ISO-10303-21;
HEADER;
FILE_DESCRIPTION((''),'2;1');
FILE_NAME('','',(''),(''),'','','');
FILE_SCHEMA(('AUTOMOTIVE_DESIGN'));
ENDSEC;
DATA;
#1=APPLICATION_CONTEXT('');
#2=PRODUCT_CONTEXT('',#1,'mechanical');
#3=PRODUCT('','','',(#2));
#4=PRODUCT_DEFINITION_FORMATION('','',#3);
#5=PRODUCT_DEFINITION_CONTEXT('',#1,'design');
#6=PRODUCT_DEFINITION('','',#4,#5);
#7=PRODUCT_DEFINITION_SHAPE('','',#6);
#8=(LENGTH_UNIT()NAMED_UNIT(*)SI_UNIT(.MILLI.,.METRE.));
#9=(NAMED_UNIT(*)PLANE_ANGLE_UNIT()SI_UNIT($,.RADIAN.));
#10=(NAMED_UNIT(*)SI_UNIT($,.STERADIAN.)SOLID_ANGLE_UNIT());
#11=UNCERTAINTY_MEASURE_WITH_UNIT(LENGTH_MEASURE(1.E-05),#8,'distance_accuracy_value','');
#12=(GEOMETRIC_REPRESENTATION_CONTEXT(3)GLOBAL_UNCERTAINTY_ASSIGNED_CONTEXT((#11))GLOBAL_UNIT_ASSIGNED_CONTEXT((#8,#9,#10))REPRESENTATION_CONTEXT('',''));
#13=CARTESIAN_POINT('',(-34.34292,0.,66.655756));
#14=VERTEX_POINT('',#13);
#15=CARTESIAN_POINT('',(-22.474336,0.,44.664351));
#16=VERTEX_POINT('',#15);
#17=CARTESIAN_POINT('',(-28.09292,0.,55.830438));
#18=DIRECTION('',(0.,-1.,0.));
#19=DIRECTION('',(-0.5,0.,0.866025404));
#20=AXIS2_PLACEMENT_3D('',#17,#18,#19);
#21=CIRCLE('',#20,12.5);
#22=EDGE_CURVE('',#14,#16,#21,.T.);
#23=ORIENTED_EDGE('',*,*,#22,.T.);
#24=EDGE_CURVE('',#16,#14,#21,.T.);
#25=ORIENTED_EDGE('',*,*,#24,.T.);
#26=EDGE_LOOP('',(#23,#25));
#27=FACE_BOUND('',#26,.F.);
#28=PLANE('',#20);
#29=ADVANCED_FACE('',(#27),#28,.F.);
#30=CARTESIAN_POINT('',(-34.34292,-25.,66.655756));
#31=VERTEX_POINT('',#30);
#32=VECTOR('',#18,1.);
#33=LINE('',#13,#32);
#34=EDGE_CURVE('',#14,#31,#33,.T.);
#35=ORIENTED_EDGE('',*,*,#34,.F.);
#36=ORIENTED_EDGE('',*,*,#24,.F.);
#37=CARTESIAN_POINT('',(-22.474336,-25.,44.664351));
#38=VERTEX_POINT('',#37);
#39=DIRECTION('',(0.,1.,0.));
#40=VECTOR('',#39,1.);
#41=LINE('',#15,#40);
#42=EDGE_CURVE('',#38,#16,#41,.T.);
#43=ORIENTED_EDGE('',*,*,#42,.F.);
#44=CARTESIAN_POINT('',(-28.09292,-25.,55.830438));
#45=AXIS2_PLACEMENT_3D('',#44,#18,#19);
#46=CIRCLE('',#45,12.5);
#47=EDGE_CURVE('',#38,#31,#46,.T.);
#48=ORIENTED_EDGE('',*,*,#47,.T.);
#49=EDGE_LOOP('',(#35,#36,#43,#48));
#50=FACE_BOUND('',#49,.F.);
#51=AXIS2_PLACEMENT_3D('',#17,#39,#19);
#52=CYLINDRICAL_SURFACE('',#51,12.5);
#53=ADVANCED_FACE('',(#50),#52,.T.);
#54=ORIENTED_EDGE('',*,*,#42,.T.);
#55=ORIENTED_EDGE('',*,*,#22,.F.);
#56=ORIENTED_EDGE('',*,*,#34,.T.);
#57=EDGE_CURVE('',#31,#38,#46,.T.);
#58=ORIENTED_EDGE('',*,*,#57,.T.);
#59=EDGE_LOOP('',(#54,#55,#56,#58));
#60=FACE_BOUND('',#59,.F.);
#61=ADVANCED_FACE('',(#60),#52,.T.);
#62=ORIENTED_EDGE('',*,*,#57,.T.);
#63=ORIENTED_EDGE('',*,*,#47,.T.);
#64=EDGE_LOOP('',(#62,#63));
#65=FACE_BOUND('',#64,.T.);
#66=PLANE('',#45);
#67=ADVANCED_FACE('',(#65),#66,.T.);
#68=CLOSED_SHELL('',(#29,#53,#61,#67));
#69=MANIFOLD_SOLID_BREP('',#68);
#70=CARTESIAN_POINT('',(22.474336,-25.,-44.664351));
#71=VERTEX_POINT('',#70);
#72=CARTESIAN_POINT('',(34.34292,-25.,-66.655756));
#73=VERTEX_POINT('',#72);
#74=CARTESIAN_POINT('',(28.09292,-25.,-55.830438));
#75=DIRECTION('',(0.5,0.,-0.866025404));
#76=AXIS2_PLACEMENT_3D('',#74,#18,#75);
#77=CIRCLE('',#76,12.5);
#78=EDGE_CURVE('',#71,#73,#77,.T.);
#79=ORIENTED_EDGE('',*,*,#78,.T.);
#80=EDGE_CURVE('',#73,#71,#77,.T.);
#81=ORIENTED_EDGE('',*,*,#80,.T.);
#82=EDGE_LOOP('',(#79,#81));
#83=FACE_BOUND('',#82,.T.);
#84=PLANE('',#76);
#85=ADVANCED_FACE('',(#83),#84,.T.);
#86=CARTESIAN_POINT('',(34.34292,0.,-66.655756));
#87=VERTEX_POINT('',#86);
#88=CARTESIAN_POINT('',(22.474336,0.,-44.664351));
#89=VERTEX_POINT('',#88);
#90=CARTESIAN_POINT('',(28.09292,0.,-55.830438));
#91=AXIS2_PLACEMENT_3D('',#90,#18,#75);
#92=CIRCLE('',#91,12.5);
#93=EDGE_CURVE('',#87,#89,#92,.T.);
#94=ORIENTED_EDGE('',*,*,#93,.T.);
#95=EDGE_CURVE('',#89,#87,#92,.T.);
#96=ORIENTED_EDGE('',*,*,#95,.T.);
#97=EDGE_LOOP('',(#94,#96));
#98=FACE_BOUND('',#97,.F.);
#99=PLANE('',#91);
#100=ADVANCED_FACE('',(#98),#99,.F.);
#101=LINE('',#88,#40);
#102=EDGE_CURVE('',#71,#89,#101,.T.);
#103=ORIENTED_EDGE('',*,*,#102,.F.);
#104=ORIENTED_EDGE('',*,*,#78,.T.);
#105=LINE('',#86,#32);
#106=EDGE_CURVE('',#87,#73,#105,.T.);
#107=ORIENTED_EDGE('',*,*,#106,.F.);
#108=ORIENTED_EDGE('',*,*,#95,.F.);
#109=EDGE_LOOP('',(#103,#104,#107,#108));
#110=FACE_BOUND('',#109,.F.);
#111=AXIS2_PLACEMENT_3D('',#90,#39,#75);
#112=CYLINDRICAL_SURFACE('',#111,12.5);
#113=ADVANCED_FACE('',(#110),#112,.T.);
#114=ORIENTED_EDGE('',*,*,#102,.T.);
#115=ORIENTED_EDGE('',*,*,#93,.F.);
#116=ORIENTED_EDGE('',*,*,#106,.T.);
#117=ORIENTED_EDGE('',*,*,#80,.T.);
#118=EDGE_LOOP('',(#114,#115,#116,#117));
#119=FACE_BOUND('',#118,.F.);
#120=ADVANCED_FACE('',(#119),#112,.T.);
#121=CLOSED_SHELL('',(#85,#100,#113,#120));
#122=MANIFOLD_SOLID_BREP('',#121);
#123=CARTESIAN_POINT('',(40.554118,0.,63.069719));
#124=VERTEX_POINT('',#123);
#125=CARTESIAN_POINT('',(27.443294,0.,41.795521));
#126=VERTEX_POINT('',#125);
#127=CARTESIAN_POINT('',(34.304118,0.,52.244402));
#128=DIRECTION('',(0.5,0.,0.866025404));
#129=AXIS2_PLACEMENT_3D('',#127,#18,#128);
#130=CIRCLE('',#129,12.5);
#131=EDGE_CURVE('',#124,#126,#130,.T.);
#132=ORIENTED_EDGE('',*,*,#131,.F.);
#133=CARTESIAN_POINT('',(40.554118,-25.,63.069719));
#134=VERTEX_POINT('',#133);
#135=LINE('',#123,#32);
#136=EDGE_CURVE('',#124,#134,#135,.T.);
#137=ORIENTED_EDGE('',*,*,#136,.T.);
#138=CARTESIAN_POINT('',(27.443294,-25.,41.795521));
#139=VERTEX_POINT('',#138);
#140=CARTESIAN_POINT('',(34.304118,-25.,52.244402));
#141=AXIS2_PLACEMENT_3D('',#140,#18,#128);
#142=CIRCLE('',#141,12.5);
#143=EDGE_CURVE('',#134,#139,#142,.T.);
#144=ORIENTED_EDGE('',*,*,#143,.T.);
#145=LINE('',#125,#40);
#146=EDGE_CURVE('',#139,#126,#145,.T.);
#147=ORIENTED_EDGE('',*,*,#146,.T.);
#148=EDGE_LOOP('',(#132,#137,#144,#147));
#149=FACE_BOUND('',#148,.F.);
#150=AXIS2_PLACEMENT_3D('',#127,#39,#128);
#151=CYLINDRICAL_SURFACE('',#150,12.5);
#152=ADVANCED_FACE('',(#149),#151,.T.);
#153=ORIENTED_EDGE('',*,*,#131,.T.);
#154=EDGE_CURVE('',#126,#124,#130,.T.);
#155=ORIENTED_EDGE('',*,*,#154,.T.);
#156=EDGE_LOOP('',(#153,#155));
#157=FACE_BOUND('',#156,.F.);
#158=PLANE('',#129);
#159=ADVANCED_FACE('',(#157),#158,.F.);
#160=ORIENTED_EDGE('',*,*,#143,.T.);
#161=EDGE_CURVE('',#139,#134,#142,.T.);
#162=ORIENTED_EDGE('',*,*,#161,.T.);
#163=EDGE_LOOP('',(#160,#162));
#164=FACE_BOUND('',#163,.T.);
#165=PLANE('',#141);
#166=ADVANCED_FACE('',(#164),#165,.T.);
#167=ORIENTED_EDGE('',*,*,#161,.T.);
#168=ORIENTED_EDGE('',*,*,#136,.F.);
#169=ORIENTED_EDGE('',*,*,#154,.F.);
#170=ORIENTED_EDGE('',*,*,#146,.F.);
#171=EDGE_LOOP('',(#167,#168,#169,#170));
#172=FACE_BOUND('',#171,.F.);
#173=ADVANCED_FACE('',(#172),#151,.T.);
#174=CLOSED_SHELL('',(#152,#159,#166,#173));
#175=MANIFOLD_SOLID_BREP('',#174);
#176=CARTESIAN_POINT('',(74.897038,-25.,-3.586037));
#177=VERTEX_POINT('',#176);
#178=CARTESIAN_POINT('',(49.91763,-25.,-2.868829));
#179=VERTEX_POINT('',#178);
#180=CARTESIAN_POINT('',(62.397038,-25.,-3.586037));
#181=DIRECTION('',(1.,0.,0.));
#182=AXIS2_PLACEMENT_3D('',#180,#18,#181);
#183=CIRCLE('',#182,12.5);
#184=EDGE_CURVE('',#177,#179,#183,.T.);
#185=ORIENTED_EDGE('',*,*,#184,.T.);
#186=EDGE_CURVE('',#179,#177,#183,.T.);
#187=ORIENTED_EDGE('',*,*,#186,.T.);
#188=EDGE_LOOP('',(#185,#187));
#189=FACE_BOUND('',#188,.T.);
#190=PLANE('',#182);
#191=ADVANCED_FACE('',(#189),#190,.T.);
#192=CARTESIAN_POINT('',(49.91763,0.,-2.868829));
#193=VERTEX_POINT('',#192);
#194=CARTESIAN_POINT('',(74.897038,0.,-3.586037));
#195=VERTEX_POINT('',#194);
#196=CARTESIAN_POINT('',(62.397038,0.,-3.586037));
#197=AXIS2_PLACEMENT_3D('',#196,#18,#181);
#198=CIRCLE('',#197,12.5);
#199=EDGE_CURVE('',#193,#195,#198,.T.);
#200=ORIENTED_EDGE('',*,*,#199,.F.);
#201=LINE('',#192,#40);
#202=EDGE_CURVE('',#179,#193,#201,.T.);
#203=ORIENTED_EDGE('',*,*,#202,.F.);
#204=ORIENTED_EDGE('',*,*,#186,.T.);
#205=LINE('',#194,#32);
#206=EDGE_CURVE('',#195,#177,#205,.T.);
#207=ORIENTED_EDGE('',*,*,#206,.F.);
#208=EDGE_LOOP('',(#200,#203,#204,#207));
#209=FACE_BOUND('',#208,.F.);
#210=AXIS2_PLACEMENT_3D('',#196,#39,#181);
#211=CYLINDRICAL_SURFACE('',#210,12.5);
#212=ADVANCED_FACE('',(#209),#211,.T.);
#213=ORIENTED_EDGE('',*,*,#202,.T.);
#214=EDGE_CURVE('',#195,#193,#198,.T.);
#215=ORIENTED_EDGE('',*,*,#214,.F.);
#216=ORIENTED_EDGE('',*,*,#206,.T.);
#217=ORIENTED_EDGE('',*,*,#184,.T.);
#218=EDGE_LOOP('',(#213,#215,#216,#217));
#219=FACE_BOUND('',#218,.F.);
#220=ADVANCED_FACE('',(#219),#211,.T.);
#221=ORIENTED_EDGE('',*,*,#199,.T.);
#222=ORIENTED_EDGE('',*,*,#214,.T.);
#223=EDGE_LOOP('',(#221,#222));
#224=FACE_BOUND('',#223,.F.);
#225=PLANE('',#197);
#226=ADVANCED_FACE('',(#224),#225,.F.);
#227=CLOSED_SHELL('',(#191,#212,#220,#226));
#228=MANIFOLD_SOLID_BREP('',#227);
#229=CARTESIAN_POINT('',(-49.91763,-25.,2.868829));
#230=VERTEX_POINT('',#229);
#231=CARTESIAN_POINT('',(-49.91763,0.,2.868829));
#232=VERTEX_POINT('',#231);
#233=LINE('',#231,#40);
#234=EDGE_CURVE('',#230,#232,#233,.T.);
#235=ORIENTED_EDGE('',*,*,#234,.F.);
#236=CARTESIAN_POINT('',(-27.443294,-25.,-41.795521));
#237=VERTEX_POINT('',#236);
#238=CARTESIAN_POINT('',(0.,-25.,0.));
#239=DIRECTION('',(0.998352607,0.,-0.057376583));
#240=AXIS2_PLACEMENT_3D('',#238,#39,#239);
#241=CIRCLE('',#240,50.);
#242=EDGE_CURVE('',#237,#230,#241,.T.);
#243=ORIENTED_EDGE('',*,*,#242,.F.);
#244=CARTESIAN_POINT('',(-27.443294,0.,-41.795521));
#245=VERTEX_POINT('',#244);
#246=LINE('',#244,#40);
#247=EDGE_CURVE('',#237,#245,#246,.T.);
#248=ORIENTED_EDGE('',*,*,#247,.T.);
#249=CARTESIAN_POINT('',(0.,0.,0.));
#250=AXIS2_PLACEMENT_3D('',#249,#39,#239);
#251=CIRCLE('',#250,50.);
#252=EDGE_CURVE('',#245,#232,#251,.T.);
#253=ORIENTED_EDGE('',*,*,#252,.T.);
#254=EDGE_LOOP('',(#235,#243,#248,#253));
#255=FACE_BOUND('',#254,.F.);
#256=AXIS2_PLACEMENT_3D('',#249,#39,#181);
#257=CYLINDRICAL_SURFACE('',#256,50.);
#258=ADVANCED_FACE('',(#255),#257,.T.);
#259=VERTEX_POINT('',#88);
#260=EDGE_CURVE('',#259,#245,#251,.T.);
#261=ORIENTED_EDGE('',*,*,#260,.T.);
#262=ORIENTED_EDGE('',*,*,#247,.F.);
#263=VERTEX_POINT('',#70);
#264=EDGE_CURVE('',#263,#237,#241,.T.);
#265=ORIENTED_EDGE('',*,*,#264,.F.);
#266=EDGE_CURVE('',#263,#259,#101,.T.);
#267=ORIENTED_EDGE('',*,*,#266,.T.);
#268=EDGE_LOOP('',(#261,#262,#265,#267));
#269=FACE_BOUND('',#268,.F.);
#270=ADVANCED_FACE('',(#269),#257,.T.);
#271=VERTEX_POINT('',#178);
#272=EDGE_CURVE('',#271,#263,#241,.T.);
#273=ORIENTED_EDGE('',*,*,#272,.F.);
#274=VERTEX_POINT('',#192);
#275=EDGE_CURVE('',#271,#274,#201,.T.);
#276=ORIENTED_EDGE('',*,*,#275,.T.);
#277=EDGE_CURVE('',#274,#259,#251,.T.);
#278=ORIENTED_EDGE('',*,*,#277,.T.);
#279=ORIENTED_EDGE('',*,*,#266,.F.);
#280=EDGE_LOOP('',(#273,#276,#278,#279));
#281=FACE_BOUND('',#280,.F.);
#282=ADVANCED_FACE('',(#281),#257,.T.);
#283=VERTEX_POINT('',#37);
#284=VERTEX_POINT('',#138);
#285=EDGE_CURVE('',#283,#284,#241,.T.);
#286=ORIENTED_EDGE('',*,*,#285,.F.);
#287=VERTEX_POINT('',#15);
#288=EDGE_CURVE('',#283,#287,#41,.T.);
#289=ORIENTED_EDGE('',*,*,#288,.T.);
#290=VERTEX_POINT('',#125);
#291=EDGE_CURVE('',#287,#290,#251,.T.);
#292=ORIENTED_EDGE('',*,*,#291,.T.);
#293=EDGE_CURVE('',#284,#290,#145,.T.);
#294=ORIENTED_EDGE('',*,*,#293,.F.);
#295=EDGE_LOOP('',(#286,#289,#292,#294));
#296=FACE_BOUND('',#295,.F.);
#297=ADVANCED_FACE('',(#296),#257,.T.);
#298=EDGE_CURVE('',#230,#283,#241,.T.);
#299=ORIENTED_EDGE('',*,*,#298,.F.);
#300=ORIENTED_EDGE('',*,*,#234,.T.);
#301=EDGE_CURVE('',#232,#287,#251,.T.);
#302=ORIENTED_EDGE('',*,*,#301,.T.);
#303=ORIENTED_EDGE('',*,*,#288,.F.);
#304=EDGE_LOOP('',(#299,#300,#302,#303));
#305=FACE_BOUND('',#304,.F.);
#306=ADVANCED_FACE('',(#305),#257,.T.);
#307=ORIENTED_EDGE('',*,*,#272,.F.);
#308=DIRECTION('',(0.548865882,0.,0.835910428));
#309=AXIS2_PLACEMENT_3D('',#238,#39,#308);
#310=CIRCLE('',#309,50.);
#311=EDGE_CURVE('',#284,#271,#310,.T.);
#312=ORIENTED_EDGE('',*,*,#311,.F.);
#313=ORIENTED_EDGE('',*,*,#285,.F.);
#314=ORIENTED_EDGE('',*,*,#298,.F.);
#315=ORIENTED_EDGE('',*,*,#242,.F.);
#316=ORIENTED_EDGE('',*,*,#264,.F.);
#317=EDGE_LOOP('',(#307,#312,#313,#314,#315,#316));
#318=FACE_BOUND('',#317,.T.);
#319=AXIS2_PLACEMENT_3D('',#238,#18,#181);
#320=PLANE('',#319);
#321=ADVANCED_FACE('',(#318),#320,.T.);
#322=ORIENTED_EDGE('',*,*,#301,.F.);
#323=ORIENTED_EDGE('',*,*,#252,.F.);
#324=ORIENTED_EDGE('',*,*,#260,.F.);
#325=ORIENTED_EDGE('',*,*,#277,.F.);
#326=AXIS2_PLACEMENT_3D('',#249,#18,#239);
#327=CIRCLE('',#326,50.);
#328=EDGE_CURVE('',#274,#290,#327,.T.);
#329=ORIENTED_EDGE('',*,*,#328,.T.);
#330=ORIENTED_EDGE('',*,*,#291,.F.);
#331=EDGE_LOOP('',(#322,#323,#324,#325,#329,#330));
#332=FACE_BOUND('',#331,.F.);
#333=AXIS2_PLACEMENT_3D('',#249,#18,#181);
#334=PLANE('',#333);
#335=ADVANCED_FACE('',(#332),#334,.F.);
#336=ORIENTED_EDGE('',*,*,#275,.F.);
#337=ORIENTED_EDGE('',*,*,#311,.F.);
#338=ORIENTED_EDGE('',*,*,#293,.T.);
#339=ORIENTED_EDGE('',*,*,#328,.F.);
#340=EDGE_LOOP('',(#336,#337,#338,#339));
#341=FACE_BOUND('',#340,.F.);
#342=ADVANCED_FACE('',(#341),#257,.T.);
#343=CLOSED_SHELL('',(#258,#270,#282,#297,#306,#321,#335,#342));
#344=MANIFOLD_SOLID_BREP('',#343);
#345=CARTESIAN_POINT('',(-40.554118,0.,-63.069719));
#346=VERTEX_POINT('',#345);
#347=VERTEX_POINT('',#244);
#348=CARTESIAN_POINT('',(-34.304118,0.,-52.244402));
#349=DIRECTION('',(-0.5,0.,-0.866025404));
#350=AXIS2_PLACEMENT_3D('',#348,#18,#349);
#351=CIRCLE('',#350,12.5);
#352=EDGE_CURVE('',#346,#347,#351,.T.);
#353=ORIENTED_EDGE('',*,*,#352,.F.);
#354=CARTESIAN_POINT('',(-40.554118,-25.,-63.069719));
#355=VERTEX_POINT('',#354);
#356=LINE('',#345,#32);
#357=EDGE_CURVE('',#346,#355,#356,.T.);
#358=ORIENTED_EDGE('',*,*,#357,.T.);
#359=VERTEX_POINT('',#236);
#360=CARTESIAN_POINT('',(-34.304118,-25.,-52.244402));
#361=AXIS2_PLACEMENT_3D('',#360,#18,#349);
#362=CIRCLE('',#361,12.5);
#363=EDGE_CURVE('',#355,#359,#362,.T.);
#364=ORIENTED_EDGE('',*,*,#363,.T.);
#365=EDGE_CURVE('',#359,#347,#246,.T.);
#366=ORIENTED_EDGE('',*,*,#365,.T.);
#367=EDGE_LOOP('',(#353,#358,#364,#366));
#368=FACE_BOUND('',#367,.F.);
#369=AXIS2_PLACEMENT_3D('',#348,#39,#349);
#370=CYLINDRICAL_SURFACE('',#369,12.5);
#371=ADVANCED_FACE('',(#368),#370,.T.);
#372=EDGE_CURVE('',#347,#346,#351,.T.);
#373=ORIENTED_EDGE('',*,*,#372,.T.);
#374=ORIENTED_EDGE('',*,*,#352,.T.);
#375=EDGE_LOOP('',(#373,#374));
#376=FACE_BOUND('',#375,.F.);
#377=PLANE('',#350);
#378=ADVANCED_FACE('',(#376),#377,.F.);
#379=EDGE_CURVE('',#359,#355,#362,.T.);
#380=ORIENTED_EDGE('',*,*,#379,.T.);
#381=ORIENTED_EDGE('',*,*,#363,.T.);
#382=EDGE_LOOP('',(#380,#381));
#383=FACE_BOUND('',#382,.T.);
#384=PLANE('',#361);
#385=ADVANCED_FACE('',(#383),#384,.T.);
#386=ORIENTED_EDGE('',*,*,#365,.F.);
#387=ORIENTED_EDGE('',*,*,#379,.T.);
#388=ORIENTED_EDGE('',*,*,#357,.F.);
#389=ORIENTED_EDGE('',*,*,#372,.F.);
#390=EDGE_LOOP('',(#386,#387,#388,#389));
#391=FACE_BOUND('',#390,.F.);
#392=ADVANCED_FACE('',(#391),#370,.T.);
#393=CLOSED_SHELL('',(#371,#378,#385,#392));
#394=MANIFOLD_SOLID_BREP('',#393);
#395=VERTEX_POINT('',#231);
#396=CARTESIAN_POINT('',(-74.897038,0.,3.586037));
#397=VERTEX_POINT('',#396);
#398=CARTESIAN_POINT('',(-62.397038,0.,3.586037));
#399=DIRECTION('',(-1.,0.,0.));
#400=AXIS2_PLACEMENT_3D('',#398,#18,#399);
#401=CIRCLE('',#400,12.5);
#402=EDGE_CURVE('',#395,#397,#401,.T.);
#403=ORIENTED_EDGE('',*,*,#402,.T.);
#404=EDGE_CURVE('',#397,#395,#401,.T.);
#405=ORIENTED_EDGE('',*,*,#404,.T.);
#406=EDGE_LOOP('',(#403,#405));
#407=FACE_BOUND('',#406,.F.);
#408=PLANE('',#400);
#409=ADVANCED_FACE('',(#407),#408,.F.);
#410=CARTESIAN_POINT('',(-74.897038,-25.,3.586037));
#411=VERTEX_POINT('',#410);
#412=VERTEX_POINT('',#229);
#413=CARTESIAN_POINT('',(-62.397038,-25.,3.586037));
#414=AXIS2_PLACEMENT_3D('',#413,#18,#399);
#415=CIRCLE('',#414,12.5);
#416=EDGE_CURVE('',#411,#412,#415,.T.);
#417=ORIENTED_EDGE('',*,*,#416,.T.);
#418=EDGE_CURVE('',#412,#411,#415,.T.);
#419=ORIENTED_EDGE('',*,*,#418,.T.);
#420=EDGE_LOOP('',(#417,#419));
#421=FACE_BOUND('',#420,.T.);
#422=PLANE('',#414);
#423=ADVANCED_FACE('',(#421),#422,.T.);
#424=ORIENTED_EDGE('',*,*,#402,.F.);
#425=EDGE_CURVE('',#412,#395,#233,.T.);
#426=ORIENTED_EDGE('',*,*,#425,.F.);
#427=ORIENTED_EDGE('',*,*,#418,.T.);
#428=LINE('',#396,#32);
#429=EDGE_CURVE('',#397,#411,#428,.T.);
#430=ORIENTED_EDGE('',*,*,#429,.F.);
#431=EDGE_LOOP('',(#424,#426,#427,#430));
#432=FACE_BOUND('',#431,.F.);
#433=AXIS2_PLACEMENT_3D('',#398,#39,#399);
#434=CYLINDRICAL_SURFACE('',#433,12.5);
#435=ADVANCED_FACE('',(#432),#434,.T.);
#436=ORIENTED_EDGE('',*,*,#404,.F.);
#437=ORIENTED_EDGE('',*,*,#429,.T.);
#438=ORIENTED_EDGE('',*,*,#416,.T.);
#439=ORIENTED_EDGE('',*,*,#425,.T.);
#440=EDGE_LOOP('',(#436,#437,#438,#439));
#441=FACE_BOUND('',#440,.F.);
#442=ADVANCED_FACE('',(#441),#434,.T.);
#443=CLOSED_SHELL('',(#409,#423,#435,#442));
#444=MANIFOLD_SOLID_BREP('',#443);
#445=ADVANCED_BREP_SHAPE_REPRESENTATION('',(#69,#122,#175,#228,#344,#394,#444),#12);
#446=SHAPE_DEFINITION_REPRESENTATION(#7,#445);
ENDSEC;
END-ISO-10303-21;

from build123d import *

# Parameters (mm, degrees)
F0_R     = 50
F2_DEPTH = 25
F1_R     = 12.5
F3_DEPTH = 25
F4_COUNT = 6


with BuildPart() as f2:
    # F0 (on Front) → F2 (new body)
    with BuildSketch(Plane.XZ):
        Circle(F0_R)
    extrude(amount=F2_DEPTH)

    # F1 (on Front) → F3 (join)
    with BuildSketch(Plane.XZ):
        with Locations((62.3970379223, -3.5860366045)):
            Circle(F1_R)
    extrude(amount=F3_DEPTH)

    # F4: F2 ×6 about axis
    f4_axis = Axis((0, -25, 0), (0, -1, 0))


with BuildPart() as f2_1:
    add(f2.part)
    for i in range(1, F4_COUNT):
        add(f2.part.rotate(f4_axis, i * 360 / F4_COUNT))


solid = f2_1.part
